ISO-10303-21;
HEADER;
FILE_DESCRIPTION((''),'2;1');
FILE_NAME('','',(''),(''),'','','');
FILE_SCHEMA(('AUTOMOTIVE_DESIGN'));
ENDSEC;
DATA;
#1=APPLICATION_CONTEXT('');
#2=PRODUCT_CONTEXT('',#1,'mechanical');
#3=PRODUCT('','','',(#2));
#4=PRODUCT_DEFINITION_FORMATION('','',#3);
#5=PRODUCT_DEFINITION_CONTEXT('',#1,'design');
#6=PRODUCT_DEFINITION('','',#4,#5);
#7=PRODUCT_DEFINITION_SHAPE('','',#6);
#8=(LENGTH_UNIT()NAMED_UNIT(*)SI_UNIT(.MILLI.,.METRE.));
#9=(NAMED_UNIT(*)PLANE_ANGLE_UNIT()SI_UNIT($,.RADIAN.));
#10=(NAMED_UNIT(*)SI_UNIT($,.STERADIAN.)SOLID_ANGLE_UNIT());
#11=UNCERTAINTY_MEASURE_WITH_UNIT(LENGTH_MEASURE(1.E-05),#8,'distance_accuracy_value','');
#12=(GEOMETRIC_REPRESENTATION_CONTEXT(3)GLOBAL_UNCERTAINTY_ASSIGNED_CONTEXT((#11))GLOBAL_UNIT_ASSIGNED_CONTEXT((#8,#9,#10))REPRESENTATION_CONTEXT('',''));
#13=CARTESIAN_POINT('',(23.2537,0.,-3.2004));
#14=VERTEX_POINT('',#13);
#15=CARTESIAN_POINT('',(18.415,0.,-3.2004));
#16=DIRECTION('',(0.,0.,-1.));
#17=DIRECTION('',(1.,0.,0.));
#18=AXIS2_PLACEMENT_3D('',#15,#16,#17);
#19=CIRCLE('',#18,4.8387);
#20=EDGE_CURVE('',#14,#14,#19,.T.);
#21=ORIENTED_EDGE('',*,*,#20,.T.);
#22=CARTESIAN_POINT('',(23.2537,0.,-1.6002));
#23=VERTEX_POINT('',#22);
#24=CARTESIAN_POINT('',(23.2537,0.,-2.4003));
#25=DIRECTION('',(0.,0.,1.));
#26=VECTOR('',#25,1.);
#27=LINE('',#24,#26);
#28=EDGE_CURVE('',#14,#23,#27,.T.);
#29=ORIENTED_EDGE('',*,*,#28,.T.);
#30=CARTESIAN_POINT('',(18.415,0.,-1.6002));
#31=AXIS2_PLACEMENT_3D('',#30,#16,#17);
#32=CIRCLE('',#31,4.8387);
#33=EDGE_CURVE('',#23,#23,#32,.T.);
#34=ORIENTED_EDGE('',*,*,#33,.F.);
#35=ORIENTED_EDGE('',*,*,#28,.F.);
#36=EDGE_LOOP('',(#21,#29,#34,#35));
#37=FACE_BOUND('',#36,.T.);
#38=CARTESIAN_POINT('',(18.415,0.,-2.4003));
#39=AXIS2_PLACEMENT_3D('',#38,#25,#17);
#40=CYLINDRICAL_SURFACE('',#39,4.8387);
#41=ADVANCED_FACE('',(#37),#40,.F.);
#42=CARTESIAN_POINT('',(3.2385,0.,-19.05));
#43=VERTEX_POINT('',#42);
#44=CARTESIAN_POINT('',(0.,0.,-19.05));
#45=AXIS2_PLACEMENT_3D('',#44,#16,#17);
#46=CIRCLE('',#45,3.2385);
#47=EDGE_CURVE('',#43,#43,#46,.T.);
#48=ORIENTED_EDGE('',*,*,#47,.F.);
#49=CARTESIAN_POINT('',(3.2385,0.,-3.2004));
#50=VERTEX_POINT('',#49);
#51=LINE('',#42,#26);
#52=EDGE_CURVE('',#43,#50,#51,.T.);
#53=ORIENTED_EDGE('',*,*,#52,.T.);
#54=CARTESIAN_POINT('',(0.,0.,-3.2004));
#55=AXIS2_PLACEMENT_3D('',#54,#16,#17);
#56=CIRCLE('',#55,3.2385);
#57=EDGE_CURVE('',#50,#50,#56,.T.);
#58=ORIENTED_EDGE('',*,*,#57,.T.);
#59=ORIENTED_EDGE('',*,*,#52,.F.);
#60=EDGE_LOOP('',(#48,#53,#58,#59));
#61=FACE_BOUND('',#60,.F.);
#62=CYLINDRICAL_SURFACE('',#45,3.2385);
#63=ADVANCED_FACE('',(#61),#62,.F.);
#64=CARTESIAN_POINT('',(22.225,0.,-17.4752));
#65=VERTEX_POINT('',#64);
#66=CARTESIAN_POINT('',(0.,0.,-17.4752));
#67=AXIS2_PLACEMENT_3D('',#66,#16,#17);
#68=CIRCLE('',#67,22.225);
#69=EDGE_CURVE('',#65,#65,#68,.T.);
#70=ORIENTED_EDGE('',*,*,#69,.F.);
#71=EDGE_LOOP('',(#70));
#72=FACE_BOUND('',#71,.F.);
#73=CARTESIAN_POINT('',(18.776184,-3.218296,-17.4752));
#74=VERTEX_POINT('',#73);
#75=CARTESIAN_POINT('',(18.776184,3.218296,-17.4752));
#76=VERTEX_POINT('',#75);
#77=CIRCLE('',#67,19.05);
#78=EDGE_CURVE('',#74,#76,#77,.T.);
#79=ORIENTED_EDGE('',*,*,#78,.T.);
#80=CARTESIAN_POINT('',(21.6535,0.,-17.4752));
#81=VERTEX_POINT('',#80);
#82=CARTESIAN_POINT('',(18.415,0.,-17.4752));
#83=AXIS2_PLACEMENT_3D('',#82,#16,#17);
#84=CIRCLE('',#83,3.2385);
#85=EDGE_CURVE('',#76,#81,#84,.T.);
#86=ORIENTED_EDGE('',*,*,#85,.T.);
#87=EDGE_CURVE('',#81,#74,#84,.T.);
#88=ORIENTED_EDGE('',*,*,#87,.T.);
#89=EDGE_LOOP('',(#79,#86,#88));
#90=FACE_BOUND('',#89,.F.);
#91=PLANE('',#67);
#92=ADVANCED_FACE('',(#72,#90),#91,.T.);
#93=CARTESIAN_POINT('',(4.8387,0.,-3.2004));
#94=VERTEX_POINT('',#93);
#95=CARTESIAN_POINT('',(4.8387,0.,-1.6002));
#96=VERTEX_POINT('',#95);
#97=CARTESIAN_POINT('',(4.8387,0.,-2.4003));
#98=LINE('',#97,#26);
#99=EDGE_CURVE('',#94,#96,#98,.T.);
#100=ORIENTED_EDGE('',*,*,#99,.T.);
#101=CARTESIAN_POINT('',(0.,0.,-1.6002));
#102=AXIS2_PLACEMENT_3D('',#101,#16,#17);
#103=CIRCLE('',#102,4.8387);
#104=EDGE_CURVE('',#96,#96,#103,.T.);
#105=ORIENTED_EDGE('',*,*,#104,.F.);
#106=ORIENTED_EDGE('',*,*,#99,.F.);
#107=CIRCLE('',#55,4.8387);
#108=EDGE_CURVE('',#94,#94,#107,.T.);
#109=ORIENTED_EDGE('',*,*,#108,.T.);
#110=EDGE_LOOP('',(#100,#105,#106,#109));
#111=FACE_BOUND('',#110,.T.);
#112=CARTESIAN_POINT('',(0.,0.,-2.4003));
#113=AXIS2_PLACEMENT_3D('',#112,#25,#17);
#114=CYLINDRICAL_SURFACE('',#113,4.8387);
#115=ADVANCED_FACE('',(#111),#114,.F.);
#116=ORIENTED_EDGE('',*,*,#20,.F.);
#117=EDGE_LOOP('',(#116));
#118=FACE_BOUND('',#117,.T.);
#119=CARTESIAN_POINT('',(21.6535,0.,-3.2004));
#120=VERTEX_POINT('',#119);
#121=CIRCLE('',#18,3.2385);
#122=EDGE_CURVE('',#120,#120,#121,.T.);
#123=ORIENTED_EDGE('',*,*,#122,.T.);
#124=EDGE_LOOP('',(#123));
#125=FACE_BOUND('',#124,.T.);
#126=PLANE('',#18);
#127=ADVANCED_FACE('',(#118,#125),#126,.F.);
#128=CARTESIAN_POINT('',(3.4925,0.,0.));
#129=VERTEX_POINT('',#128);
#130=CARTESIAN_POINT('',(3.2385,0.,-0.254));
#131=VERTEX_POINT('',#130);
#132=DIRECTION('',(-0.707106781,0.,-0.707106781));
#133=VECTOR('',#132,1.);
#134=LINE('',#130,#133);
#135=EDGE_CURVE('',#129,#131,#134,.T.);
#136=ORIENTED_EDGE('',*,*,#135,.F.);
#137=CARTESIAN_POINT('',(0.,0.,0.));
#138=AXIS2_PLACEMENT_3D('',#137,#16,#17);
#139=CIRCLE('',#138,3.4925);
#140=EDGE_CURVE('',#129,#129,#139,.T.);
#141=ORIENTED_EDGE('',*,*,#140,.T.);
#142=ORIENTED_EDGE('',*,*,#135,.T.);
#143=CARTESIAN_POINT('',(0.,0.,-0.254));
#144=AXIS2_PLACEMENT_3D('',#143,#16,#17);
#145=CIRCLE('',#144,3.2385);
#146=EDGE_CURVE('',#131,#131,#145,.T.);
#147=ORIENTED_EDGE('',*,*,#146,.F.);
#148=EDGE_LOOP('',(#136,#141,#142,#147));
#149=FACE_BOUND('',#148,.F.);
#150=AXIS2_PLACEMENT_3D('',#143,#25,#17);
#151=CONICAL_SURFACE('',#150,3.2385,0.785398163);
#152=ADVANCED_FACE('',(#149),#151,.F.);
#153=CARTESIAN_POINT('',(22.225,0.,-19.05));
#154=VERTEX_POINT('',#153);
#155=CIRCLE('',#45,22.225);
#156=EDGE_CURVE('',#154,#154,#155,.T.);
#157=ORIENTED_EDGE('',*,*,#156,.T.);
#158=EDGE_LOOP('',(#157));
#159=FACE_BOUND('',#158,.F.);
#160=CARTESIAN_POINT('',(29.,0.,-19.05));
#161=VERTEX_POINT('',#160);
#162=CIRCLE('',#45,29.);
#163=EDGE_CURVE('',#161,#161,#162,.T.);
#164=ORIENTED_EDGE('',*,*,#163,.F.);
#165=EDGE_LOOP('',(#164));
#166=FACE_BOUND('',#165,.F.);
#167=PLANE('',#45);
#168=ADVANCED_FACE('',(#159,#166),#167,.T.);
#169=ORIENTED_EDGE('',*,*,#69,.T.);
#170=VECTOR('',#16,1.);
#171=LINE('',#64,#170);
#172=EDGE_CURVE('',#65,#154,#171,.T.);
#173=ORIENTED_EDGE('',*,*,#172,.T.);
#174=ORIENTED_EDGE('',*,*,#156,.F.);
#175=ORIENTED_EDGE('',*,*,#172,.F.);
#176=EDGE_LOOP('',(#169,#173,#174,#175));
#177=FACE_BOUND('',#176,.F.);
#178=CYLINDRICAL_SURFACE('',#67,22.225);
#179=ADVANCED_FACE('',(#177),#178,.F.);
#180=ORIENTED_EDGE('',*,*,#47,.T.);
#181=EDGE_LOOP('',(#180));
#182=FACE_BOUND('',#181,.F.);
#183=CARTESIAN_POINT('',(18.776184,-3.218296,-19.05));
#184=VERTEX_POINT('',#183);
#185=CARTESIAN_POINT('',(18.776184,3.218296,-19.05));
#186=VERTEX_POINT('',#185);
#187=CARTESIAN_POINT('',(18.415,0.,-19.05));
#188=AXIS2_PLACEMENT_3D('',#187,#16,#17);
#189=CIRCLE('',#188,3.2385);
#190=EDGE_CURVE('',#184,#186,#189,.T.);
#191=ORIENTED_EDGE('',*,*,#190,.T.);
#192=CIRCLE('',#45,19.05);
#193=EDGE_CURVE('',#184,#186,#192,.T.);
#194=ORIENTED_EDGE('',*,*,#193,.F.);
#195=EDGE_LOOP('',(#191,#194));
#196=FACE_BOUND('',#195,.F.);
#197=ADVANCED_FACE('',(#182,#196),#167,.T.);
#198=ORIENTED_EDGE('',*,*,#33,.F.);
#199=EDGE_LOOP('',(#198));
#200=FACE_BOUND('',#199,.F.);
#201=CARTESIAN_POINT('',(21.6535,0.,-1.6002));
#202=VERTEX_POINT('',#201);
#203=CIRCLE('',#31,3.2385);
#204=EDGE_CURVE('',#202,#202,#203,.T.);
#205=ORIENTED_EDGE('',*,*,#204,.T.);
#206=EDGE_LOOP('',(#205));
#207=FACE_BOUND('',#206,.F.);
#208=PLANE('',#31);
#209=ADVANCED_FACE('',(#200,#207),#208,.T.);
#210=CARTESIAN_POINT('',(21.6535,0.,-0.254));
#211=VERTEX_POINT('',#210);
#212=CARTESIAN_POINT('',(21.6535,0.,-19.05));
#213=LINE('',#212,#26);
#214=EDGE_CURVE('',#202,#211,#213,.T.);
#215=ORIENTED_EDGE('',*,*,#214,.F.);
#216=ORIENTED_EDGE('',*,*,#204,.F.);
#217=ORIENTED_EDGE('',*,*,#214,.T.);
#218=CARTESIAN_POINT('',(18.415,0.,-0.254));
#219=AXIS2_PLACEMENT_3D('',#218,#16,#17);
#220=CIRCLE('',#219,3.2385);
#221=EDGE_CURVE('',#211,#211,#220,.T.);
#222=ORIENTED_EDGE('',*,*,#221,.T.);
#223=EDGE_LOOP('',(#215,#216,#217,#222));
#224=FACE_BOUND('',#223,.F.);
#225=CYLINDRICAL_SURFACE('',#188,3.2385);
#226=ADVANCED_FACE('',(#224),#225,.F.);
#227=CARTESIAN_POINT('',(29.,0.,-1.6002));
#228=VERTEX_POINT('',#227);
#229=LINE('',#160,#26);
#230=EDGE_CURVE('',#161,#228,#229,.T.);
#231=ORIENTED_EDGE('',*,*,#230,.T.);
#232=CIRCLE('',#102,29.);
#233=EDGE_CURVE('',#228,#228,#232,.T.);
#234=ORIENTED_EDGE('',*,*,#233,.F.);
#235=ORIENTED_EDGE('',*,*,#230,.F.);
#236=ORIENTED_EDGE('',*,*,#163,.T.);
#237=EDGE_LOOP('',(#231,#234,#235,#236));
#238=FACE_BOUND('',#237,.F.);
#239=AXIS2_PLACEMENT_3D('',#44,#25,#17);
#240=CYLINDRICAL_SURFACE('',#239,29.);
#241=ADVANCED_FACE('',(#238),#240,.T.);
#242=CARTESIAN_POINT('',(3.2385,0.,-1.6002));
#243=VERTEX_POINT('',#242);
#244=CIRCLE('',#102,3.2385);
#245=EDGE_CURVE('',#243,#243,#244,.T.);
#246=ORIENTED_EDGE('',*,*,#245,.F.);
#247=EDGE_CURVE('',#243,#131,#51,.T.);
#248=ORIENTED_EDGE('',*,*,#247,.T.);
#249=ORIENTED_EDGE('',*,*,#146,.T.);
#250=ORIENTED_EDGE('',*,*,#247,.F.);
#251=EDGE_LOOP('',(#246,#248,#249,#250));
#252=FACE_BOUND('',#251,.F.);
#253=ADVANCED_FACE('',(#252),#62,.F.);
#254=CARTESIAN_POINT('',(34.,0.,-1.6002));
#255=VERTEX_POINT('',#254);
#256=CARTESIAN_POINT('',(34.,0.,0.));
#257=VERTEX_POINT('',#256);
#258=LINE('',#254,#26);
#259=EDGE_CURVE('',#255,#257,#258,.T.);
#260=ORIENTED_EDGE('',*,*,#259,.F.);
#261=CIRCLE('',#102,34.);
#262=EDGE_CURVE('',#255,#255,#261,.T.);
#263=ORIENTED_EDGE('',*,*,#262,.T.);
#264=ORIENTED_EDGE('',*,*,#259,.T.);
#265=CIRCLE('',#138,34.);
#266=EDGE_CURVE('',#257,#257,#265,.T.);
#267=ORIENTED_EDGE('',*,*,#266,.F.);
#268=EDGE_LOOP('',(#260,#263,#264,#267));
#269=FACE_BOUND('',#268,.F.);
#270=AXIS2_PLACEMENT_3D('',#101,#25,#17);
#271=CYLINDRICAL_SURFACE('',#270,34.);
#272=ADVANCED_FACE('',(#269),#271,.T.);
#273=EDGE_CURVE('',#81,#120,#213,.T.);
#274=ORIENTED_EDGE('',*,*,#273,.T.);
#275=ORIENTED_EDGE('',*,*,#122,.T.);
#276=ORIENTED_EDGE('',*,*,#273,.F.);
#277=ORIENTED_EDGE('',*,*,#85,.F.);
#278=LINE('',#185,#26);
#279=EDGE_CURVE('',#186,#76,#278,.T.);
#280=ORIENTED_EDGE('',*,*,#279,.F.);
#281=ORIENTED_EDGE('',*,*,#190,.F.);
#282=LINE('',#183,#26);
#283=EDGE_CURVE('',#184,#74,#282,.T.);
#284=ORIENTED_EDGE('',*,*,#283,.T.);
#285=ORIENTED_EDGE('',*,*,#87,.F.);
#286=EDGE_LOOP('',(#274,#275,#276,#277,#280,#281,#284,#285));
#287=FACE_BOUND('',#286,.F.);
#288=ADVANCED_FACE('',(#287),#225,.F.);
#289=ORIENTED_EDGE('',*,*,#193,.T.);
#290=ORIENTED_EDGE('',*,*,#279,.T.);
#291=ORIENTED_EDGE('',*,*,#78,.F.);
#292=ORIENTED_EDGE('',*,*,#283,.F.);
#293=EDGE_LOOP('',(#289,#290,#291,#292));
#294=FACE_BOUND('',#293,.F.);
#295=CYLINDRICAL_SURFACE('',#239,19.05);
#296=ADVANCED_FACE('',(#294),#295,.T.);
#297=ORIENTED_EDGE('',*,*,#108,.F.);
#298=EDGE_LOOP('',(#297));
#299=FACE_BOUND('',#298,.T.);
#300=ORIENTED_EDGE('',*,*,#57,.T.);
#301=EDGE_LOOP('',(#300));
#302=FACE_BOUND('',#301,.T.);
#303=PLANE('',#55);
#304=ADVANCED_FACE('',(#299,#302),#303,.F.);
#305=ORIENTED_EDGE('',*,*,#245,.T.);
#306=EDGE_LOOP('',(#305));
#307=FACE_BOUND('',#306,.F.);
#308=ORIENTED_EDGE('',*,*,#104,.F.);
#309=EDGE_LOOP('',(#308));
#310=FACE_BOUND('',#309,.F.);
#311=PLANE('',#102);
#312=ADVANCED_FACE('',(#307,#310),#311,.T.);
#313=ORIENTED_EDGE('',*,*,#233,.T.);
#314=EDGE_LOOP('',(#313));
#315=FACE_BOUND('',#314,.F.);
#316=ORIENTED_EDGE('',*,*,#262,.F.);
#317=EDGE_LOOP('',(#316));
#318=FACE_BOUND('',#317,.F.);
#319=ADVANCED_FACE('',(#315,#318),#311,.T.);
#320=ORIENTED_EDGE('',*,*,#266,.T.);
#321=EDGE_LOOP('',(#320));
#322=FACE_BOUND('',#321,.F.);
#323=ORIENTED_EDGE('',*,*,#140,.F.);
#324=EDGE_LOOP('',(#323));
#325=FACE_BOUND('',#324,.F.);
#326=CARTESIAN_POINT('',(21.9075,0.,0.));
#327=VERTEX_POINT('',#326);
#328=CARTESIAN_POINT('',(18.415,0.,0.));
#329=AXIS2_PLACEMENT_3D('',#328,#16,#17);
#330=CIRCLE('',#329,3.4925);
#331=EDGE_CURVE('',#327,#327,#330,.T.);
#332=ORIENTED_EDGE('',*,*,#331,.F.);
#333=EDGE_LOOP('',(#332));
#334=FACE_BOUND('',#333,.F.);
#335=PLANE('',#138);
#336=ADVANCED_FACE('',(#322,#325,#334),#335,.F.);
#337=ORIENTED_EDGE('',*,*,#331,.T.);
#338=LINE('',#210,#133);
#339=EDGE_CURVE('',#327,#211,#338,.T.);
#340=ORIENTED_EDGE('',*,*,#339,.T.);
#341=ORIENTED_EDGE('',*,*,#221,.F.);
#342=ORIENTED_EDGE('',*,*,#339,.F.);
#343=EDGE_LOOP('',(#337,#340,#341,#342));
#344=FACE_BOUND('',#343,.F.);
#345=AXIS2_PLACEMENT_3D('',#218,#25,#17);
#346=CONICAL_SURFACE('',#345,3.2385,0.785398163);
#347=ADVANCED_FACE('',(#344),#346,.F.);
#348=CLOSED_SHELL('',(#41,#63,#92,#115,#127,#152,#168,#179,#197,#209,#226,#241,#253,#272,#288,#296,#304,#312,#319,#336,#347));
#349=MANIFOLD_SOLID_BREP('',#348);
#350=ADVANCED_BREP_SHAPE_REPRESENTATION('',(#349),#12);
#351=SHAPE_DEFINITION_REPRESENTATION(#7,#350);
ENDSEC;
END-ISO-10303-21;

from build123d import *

# Parameters (mm, degrees)
F2_R     = 3.2385
F3_DEPTH = 19.051
F4_W     = 1.6002
F4_H     = 1.6002
F6_W     = 1.6002
F6_H     = 1.6002
F8_SIZE  = 0.254


with BuildPart() as f1:
    # F0 (on Front) → F1 (revolve)
    with BuildSketch(Plane.XZ):
        Polygon((34, 0), (0, 0), (0, -19.05), (19.05, -19.05), (19.05, -17.4752), (22.225, -17.4752), (22.225, -19.05), (29, -19.05), (29, -1.6002), (34, -1.6002), align=None)
    revolve(axis=Axis((0, 0, -7.0298854262), (0, 0, -1)))

    # F2 (on face) → F3 (cut, through all)
    with BuildSketch(Plane(origin=(0, 0, -19.05), x_dir=(1, 0, 0), z_dir=(0, 0, -1))):
        Circle(F2_R)
        with Locations((18.415, 0)):
            Circle(F2_R)
    extrude(amount=-F3_DEPTH, mode=Mode.SUBTRACT)

    # F4 (on Front) → F5 (revolve, cut)
    with BuildSketch(Plane.XZ):
        with Locations((4.0386, -2.4003)):
            Rectangle(F4_W, F4_H)
    revolve(axis=Axis((0, 0, -2.3049995583), (0, 0, -1)), mode=Mode.SUBTRACT)

    # F6 (on Front) → F7 (revolve, cut)
    with BuildSketch(Plane.XZ):
        with Locations((22.4536, -2.4003)):
            Rectangle(F6_W, F6_H)
    revolve(axis=Axis((18.415, 0, -9.4374260038), (0, 0, -1)), mode=Mode.SUBTRACT)

    # F8
    f8_edges = [f1.edges().sort_by_distance(p)[0] for p in [
        (-3.2385, 0, 0),
        (15.1765, 0, 0),
    ]]
    chamfer(f8_edges, length=F8_SIZE)


solid = f1.part
